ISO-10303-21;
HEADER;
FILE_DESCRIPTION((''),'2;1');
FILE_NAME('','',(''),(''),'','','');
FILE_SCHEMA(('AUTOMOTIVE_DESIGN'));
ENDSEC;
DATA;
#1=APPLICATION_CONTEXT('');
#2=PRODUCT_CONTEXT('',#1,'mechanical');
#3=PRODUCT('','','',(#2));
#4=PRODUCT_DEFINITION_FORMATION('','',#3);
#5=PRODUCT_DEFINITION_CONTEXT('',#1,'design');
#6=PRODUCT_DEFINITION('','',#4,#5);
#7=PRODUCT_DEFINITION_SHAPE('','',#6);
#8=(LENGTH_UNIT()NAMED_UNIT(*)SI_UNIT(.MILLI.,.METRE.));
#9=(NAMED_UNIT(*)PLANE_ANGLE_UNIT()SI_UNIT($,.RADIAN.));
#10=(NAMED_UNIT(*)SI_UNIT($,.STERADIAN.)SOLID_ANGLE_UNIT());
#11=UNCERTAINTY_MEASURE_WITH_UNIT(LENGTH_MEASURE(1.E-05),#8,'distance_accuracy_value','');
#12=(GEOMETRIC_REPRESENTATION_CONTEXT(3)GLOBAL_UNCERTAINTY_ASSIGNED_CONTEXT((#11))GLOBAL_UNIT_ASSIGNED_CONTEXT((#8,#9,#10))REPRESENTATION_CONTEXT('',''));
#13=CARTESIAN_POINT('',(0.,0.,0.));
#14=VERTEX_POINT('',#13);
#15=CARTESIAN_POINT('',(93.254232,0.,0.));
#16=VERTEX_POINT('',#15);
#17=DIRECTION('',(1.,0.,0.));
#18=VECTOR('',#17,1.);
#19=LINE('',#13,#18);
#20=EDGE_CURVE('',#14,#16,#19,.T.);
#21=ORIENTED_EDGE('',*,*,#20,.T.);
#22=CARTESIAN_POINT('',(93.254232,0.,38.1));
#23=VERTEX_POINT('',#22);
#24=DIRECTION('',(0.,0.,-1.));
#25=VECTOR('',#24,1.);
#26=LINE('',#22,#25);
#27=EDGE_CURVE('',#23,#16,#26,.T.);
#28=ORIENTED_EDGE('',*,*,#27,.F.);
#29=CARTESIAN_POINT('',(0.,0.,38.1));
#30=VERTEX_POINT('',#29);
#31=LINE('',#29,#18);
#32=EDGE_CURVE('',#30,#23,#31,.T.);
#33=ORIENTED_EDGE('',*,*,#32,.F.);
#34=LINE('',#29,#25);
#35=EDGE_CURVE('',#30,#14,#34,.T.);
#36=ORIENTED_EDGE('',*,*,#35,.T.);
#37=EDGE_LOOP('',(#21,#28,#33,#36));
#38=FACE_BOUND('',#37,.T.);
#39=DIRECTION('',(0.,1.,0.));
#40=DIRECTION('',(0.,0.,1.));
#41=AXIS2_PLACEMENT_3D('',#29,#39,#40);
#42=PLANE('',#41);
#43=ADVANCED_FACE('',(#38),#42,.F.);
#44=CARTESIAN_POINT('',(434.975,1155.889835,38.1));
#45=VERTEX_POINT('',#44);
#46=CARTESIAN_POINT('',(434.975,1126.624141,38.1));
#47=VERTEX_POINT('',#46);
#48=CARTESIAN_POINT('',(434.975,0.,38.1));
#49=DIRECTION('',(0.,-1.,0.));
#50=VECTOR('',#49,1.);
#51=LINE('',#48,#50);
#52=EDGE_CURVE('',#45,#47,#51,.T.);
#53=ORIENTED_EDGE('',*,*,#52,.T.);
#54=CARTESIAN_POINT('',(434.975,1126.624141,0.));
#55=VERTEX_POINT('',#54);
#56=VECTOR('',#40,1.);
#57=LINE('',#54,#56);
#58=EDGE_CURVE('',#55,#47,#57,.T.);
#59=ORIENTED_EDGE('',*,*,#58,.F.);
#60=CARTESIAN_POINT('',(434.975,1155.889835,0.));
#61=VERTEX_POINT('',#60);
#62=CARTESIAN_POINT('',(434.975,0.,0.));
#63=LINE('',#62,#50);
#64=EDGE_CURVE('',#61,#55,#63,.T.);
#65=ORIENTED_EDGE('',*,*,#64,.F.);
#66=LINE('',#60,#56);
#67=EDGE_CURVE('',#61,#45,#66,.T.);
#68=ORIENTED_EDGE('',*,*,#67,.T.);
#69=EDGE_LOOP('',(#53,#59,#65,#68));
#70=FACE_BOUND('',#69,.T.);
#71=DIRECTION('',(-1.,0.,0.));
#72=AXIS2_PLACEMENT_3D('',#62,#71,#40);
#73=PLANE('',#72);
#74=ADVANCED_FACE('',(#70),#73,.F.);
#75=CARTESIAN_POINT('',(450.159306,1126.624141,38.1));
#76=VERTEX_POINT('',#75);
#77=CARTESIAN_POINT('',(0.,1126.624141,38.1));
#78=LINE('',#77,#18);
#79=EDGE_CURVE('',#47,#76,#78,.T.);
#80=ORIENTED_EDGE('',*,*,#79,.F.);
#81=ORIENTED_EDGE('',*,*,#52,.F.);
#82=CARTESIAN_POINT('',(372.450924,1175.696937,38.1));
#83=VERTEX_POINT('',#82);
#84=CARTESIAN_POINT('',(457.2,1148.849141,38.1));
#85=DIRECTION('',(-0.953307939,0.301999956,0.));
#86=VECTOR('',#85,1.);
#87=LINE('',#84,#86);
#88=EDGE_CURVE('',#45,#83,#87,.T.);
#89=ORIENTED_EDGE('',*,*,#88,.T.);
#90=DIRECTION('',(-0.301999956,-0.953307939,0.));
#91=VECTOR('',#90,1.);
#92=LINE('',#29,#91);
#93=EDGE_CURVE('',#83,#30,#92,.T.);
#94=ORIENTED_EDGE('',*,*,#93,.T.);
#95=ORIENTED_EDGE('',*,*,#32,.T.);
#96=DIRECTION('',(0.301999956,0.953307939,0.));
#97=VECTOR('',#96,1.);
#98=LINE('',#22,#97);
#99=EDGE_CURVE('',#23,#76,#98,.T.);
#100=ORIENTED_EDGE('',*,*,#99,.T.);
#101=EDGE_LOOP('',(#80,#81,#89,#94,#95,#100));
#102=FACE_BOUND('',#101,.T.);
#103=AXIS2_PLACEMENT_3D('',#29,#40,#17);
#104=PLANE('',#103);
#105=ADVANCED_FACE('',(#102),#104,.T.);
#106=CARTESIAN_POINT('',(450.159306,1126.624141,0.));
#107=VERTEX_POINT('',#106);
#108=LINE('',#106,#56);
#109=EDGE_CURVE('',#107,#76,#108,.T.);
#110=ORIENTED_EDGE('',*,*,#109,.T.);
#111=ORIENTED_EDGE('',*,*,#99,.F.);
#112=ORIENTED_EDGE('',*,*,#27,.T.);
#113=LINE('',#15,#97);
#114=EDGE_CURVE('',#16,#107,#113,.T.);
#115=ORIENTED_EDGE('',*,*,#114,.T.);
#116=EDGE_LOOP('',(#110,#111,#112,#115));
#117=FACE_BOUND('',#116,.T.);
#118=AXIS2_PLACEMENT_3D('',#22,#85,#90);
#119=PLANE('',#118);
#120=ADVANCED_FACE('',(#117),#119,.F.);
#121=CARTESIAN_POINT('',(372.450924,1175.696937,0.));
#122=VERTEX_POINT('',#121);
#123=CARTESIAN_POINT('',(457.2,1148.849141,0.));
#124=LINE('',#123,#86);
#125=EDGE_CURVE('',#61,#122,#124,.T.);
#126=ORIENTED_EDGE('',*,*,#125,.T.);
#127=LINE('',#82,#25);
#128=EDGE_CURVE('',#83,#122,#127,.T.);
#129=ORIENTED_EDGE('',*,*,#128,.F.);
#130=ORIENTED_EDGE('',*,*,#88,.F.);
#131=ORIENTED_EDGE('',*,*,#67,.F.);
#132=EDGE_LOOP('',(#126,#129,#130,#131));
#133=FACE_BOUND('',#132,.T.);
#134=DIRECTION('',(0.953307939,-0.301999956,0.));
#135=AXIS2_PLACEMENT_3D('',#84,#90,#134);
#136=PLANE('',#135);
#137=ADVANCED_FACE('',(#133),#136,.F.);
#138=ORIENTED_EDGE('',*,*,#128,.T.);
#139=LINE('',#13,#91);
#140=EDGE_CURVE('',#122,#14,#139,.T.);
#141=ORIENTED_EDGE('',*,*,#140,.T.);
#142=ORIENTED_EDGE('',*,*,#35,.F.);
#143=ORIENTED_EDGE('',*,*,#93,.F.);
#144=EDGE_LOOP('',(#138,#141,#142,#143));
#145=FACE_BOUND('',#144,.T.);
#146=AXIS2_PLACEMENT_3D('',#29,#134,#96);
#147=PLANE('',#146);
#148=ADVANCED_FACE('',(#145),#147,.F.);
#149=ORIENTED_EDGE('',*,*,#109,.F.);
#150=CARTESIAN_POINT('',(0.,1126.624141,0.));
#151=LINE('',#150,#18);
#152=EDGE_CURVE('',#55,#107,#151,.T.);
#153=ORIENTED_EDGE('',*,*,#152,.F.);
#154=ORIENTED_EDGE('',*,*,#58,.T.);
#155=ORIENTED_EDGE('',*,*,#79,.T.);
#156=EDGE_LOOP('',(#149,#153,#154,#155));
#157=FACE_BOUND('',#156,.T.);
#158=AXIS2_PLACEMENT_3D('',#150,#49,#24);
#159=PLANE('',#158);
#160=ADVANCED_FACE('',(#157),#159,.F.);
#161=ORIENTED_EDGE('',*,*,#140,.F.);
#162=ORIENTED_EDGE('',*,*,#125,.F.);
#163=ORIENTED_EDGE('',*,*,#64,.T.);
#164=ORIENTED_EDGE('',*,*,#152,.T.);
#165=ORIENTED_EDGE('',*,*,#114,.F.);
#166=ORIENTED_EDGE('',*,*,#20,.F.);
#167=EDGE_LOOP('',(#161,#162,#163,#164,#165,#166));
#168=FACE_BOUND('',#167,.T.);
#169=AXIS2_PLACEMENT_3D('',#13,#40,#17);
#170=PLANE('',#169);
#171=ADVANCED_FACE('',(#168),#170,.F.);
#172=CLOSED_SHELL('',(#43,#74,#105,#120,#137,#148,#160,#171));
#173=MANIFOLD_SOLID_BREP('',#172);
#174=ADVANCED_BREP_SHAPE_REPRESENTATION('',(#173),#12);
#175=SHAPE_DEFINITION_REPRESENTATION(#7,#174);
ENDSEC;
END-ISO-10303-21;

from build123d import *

# Parameters (mm, degrees)
BOSS_EXTRUDE1_DEPTH = 38.1
CUT_EXTRUDE1_DEPTH  = 39.1


with BuildPart() as part:
    # Sketch2 → Boss-Extrude1 (new body)
    with BuildSketch(Plane.XY):
        Polygon((0, 0), (93.254232292, 0), (457.2, 1148.849141334), (372.450924213, 1175.696937394), align=None)
    extrude(amount=BOSS_EXTRUDE1_DEPTH)

    # Sketch3 → Cut-Extrude1 (cut, through all)
    with BuildSketch(Plane.XY.offset(38.1)):
        Polygon((434.975, 1126.624141334), (450.159306495, 1126.624141334), (457.2, 1148.849141334), (434.975, 1155.889834839), align=None)
    extrude(amount=-CUT_EXTRUDE1_DEPTH, mode=Mode.SUBTRACT)


solid = part.part
